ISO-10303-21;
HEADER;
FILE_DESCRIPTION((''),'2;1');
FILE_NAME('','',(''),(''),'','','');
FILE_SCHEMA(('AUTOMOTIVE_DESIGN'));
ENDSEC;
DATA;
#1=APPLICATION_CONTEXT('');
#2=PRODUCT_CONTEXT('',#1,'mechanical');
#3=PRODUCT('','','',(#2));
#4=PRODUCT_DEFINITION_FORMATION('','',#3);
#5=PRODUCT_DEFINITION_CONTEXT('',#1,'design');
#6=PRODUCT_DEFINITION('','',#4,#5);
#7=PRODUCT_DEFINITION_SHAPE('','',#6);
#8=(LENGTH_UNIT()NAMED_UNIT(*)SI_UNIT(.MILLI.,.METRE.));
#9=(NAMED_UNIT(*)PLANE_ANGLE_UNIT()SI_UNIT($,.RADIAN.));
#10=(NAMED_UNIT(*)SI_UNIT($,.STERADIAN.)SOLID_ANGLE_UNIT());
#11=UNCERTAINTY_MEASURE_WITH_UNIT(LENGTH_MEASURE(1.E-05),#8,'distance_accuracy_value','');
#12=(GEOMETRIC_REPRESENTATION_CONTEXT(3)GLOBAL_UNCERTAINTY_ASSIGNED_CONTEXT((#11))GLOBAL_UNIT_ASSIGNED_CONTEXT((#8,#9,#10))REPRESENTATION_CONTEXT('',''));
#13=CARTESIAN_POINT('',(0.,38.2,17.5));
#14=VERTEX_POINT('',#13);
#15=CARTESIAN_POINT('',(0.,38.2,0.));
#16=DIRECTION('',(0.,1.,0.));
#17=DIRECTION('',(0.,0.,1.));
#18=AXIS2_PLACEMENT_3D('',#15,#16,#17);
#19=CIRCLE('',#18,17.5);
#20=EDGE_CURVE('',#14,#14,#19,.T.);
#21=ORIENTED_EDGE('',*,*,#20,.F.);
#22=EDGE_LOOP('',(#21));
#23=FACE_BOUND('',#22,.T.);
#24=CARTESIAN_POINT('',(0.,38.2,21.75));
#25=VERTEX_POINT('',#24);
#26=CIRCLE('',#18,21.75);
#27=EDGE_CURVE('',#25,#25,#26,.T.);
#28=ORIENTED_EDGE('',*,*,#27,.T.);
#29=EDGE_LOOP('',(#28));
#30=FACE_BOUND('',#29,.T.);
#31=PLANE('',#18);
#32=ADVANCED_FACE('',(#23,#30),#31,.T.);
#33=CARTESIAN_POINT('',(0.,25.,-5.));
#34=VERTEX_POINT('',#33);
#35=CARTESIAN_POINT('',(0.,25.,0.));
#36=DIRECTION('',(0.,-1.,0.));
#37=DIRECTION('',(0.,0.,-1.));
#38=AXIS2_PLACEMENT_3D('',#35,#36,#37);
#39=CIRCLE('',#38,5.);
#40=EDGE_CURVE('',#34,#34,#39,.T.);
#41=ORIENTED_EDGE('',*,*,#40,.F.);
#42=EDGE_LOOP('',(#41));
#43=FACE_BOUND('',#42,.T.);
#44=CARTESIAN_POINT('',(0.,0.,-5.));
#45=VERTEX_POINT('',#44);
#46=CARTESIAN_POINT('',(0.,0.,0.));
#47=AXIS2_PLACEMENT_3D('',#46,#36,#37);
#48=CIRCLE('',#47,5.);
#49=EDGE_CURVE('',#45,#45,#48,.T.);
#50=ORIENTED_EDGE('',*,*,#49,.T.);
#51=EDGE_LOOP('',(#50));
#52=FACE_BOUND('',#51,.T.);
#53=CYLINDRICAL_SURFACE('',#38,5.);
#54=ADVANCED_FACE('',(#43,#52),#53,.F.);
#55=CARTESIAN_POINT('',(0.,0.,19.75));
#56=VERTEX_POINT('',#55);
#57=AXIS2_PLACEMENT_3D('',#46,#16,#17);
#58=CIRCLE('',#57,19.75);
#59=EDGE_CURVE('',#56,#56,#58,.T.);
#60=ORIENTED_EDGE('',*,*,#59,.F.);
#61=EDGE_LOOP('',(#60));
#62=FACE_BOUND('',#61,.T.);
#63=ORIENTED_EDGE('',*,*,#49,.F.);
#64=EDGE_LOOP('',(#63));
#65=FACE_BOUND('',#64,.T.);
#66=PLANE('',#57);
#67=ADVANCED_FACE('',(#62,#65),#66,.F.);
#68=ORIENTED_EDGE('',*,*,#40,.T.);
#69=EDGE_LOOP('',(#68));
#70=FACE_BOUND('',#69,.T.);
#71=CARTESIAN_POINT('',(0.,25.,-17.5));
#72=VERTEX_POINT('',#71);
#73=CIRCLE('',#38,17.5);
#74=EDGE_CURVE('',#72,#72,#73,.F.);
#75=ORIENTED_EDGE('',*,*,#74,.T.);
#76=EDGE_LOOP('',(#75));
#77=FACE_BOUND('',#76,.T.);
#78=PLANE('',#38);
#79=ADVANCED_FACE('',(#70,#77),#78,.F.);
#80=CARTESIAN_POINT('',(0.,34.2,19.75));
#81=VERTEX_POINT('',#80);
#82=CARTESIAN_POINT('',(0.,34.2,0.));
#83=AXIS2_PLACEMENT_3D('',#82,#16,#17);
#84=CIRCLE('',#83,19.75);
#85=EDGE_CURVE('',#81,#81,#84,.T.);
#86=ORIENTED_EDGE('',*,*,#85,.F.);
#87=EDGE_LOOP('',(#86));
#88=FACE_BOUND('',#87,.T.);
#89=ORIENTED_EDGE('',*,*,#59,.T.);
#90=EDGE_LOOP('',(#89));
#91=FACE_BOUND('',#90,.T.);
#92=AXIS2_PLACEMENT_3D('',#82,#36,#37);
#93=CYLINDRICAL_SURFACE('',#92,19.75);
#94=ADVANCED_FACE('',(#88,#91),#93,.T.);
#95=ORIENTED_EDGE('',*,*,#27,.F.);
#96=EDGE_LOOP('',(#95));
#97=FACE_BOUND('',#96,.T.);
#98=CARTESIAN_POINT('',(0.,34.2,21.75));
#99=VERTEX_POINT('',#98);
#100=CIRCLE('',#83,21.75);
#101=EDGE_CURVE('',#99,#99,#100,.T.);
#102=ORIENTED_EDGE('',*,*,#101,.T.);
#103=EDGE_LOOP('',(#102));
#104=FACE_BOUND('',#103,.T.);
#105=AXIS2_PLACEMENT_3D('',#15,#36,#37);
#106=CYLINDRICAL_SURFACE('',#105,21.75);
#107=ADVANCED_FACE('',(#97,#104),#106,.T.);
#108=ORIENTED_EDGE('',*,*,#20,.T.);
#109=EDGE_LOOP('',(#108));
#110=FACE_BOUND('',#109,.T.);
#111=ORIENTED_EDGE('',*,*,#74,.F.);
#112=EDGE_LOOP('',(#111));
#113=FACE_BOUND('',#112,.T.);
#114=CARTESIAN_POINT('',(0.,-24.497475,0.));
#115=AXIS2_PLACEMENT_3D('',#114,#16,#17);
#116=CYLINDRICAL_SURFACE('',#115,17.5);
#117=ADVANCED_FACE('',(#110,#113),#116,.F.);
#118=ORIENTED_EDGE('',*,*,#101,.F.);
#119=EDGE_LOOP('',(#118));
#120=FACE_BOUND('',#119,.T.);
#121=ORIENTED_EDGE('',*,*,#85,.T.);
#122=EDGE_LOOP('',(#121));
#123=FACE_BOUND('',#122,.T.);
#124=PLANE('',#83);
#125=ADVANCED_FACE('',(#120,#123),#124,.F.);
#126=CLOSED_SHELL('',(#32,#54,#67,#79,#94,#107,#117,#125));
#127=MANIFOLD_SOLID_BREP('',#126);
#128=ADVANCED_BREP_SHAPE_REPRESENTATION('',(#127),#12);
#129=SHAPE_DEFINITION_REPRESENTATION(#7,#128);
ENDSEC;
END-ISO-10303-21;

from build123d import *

# Parameters (mm, degrees)
SKETCH_1_R          = 19.75
EXTRUDE_1_DEPTH     = 34.2
SKETCH_2_R          = 21.75
EXTRUDE_2_DEPTH     = 4
SKETCH_3_R          = 5
CUT_EXTRUDE_1_DEPTH = 25
SKETCH_4_R          = 17.5
CUT_EXTRUDE_3_DEPTH = 13.2


with BuildPart() as part:
    # 草图1 → 凸台-拉伸1 (new body)
    with BuildSketch(Plane(origin=(0, 0, 0), x_dir=(1, 0, 0), z_dir=(0, 1, 0))):
        with Locations(Location((0, 0, 0), (0, 0, 270))):
            Circle(SKETCH_1_R)
    extrude(amount=EXTRUDE_1_DEPTH)

    # 草图2 → 凸台-拉伸2 (add)
    with BuildSketch(Plane(origin=(0, 34.2, 0), x_dir=(1, 0, 0), z_dir=(0, 1, 0))):
        with Locations(Location((0, 0, 0), (0, 0, 270))):
            Circle(SKETCH_2_R)
    extrude(amount=EXTRUDE_2_DEPTH)

    # 草图3 → 切除-拉伸1 (cut)
    with BuildSketch(Plane.XZ):
        with Locations(Location((0, 0, 0), (0, 0, 270))):
            Circle(SKETCH_3_R)
    extrude(amount=-CUT_EXTRUDE_1_DEPTH, mode=Mode.SUBTRACT)

    # 草图4 → 切除-拉伸3 (cut)
    with BuildSketch(Plane(origin=(0, 38.2, 0), x_dir=(1, 0, 0), z_dir=(0, 1, 0))):
        with Locations(Location((0, 0, 0), (0, 0, 270))):
            Circle(SKETCH_4_R)
    extrude(amount=-CUT_EXTRUDE_3_DEPTH, mode=Mode.SUBTRACT)


solid = part.part
